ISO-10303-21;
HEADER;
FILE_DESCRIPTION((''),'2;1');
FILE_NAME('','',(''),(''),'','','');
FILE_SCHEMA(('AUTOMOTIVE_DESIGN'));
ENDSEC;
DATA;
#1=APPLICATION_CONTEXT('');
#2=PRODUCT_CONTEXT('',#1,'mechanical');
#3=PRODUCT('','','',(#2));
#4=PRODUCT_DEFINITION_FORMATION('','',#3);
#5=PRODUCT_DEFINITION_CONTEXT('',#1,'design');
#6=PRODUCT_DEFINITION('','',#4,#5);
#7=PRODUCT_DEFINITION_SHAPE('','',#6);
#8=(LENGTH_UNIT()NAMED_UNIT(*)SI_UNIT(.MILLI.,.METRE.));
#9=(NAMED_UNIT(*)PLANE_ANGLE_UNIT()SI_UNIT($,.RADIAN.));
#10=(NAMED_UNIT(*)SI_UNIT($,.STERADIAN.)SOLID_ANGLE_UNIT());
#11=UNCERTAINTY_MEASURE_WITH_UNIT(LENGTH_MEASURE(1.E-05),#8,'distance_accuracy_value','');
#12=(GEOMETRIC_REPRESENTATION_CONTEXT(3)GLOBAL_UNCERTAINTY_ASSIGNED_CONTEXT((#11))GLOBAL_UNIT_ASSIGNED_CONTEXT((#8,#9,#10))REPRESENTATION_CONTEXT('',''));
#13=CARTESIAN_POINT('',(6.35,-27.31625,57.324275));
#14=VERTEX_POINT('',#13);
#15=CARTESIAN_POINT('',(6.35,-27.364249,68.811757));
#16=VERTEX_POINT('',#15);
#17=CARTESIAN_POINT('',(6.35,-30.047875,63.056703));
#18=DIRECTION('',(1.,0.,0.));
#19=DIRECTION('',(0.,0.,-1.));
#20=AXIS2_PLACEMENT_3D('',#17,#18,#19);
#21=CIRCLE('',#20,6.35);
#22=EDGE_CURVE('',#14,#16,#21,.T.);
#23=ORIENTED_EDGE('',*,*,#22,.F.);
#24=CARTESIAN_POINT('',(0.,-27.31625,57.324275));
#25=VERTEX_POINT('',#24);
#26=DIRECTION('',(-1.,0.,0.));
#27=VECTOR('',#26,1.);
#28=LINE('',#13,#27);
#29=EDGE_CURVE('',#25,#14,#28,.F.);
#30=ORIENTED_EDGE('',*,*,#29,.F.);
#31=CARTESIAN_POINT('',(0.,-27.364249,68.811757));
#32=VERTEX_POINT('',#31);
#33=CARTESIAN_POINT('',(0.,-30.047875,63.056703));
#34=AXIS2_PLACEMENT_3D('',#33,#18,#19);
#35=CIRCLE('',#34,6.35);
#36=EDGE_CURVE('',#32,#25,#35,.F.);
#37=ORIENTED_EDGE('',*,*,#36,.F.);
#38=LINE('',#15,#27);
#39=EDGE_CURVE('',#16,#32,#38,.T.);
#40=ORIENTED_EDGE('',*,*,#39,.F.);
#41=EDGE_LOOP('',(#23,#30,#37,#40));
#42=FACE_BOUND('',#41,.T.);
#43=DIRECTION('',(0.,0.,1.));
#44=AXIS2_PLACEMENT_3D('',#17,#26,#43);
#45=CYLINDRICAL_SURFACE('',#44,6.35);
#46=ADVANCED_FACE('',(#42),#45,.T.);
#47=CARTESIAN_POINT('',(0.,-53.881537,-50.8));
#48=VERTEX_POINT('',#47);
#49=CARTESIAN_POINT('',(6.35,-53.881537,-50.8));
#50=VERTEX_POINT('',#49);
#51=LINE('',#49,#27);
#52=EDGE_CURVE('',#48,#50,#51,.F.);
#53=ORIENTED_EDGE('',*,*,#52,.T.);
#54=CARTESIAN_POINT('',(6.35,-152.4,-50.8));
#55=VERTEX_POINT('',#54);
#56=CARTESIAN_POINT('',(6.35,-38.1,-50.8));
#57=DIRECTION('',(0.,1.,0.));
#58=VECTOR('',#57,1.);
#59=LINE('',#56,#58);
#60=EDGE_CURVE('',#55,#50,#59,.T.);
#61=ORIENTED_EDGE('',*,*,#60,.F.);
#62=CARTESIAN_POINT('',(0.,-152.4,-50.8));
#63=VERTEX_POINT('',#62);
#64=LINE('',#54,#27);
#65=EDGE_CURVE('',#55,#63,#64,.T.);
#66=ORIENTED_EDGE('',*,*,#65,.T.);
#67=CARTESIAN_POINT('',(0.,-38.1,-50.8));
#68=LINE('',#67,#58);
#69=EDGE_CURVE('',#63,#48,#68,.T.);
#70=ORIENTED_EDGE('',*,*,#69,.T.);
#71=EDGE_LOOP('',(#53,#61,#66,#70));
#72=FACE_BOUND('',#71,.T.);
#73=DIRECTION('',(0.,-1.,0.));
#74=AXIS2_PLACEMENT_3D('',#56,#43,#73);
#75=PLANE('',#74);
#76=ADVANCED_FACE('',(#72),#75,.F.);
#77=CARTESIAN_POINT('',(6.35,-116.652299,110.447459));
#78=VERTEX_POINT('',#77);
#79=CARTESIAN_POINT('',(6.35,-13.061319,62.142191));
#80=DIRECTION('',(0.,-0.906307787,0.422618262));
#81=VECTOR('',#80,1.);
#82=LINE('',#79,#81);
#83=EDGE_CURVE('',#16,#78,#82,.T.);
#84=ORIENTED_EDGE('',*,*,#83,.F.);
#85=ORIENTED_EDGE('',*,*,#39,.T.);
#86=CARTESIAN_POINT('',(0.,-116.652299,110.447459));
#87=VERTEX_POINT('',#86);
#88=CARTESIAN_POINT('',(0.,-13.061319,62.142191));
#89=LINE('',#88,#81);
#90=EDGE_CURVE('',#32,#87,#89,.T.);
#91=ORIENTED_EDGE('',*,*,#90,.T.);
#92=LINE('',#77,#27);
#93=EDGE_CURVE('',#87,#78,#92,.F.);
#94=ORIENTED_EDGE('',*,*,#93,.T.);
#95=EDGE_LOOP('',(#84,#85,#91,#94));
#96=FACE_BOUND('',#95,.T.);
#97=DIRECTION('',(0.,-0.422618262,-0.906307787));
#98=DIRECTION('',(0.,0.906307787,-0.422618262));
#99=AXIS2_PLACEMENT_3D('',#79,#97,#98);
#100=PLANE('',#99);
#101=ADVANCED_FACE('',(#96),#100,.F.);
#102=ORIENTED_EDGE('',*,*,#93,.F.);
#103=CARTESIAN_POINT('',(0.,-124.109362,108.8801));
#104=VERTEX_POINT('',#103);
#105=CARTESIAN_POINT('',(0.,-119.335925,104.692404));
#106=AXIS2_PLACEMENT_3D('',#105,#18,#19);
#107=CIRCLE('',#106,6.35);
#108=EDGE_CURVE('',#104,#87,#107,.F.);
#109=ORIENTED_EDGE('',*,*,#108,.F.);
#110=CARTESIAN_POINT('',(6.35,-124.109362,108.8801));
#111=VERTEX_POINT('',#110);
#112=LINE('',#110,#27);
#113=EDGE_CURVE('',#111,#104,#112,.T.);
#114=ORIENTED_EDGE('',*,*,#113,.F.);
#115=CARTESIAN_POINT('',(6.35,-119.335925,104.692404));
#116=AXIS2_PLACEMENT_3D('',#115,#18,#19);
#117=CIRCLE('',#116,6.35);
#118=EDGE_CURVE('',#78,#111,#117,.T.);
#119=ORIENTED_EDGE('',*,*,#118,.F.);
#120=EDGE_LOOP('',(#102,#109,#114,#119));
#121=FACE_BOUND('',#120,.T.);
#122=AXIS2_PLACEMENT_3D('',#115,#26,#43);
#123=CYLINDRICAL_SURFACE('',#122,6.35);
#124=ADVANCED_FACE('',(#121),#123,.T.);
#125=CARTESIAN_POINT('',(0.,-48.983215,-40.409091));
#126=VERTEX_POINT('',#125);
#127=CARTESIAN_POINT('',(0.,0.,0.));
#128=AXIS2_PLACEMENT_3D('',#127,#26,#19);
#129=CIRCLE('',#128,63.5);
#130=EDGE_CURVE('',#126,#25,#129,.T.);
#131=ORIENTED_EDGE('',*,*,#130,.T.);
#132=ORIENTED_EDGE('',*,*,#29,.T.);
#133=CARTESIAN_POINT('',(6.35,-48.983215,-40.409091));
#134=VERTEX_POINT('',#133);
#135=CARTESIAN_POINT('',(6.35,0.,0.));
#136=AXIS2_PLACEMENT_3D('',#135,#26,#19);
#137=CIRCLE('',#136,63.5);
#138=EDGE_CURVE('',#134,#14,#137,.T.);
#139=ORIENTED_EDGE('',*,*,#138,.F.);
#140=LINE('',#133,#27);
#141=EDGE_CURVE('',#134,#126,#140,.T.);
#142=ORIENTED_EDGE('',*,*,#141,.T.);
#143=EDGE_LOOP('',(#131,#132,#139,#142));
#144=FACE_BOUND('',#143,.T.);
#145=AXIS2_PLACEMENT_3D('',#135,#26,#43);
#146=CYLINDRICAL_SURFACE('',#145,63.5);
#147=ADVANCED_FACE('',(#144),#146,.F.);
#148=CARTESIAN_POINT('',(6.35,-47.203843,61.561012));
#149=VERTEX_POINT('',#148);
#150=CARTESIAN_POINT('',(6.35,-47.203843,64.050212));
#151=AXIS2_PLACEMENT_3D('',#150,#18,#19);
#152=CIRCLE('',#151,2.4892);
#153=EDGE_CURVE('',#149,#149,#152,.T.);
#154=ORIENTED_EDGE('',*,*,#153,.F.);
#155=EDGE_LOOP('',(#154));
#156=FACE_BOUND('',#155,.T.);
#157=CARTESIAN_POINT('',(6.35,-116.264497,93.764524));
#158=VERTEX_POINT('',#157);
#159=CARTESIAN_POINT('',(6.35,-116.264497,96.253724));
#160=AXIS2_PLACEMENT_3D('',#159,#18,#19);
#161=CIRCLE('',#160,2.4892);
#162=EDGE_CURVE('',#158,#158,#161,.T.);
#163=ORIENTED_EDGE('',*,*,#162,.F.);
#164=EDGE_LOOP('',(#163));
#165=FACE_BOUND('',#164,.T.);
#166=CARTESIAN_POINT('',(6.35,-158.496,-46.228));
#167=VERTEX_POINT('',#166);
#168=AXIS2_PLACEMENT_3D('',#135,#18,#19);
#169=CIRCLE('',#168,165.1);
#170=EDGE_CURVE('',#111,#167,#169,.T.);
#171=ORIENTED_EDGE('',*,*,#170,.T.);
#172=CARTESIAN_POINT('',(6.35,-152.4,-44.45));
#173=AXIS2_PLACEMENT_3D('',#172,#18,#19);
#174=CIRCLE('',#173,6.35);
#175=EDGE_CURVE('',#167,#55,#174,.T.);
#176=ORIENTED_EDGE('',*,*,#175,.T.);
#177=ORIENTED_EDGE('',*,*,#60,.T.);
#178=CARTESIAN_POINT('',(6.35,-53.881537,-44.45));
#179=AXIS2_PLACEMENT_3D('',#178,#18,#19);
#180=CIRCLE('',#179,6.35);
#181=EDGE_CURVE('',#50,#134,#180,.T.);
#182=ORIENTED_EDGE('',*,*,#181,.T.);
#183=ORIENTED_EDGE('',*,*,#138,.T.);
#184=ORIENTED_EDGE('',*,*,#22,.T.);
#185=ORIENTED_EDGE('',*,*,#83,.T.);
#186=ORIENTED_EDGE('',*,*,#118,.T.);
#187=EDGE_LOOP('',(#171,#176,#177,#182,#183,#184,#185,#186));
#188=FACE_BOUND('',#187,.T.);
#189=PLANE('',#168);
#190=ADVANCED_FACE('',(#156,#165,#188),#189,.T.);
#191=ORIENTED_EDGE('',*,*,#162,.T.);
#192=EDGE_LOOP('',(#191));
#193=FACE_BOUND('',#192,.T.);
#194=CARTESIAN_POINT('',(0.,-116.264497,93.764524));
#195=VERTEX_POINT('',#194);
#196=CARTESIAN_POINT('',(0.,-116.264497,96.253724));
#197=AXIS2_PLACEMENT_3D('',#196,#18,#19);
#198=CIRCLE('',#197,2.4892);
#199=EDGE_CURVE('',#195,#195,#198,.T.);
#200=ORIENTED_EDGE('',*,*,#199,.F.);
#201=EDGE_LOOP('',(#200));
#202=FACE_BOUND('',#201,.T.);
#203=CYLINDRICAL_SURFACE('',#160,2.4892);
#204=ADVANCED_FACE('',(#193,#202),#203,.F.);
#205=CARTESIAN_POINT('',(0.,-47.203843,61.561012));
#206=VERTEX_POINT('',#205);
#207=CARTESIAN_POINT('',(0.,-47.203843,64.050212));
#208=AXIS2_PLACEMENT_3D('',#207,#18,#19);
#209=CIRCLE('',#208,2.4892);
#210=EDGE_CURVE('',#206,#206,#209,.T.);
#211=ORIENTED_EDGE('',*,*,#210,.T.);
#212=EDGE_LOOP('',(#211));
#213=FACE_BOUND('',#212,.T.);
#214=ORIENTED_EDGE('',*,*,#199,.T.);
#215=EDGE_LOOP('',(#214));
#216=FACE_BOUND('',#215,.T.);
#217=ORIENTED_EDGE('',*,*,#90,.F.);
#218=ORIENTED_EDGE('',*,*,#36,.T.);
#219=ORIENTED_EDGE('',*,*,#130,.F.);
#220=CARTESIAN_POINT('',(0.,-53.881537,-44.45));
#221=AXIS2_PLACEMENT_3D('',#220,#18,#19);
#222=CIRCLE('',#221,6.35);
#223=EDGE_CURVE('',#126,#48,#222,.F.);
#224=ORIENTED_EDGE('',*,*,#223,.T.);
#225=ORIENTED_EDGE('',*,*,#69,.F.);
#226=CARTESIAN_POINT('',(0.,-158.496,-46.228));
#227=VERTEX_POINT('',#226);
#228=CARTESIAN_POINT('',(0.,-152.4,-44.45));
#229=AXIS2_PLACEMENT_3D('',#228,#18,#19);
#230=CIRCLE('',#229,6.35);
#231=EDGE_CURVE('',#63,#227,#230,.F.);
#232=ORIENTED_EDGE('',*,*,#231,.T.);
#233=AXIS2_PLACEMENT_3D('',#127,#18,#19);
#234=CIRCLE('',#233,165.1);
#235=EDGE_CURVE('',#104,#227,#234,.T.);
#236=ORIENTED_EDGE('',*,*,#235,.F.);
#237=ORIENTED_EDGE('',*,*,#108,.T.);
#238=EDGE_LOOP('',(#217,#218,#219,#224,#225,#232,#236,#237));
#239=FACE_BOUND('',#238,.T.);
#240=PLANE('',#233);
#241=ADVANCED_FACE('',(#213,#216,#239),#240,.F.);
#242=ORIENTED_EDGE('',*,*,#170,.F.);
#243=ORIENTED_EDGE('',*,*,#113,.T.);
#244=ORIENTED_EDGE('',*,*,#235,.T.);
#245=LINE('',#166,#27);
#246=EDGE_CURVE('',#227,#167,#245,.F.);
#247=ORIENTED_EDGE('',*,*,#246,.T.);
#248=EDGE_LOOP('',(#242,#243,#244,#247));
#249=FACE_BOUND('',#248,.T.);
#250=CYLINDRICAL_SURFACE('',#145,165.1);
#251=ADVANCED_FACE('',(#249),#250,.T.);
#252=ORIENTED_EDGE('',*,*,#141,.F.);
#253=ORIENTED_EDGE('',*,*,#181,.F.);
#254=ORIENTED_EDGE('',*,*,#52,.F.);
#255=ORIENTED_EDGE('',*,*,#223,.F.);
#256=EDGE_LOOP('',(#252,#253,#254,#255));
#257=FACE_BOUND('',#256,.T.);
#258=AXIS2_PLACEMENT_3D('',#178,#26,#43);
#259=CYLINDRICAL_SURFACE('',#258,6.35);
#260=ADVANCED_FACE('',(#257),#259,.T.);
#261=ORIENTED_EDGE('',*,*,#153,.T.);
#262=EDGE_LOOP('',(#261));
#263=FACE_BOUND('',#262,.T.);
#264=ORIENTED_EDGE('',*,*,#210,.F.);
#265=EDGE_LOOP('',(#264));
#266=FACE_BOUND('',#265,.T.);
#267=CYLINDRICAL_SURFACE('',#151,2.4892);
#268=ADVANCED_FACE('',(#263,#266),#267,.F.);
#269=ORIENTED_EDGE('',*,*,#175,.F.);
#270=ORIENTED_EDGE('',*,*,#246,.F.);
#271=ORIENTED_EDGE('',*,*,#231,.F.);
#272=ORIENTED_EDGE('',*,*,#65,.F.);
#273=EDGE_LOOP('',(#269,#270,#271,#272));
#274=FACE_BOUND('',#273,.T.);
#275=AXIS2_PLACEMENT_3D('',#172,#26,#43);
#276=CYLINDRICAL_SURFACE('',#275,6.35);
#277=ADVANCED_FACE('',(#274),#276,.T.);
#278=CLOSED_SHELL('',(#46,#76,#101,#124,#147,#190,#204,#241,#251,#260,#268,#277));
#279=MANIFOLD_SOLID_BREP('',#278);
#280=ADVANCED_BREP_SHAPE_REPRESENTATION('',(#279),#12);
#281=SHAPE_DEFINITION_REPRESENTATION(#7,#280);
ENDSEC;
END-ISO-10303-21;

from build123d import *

# Parameters (mm, degrees)
BOSS_EXTRUDE1_DEPTH        = 6.35
F_9_0_196_DIAMETER_HOLE1_D = 4.9784
FILLET1_R                  = 6.35


with BuildPart() as part:
    # Sketch1 → Boss-Extrude1 (new body)
    with BuildSketch(Plane.YZ):
        with BuildLine():
            Line((-13.06131899, 62.142191354), (-120.903176517, 112.429675389))
            ThreePointArc((-120.903176517, 112.429675389), (-161.186470776, 35.734180261), (-157.090324336, -50.8))
            Line((-157.090324336, -50.8), (-38.1, -50.8))
            ThreePointArc((-38.1, -50.8), (-61.994796452, 13.743915485), (-13.06131899, 62.142191354))
        make_face()
    extrude(amount=BOSS_EXTRUDE1_DEPTH)

    # #9 (0.196) Diameter Hole1 (through all)
    with Locations(Plane.YZ.offset(6.35)):
        with Locations((-116.264496524, 96.253723813), (-47.203843152, 64.050212269)):
            Hole(F_9_0_196_DIAMETER_HOLE1_D / 2)

    # Fillet1
    fillet1_edges = [part.edges().sort_by_distance(p)[0] for p in [
        (3.175, -120.903176517, 112.429675389),
        (3.175, -13.06131899, 62.142191354),
        (3.175, -38.1, -50.8),
        (3.175, -157.090324336, -50.8),
    ]]
    fillet(fillet1_edges, radius=FILLET1_R)


solid = part.part
